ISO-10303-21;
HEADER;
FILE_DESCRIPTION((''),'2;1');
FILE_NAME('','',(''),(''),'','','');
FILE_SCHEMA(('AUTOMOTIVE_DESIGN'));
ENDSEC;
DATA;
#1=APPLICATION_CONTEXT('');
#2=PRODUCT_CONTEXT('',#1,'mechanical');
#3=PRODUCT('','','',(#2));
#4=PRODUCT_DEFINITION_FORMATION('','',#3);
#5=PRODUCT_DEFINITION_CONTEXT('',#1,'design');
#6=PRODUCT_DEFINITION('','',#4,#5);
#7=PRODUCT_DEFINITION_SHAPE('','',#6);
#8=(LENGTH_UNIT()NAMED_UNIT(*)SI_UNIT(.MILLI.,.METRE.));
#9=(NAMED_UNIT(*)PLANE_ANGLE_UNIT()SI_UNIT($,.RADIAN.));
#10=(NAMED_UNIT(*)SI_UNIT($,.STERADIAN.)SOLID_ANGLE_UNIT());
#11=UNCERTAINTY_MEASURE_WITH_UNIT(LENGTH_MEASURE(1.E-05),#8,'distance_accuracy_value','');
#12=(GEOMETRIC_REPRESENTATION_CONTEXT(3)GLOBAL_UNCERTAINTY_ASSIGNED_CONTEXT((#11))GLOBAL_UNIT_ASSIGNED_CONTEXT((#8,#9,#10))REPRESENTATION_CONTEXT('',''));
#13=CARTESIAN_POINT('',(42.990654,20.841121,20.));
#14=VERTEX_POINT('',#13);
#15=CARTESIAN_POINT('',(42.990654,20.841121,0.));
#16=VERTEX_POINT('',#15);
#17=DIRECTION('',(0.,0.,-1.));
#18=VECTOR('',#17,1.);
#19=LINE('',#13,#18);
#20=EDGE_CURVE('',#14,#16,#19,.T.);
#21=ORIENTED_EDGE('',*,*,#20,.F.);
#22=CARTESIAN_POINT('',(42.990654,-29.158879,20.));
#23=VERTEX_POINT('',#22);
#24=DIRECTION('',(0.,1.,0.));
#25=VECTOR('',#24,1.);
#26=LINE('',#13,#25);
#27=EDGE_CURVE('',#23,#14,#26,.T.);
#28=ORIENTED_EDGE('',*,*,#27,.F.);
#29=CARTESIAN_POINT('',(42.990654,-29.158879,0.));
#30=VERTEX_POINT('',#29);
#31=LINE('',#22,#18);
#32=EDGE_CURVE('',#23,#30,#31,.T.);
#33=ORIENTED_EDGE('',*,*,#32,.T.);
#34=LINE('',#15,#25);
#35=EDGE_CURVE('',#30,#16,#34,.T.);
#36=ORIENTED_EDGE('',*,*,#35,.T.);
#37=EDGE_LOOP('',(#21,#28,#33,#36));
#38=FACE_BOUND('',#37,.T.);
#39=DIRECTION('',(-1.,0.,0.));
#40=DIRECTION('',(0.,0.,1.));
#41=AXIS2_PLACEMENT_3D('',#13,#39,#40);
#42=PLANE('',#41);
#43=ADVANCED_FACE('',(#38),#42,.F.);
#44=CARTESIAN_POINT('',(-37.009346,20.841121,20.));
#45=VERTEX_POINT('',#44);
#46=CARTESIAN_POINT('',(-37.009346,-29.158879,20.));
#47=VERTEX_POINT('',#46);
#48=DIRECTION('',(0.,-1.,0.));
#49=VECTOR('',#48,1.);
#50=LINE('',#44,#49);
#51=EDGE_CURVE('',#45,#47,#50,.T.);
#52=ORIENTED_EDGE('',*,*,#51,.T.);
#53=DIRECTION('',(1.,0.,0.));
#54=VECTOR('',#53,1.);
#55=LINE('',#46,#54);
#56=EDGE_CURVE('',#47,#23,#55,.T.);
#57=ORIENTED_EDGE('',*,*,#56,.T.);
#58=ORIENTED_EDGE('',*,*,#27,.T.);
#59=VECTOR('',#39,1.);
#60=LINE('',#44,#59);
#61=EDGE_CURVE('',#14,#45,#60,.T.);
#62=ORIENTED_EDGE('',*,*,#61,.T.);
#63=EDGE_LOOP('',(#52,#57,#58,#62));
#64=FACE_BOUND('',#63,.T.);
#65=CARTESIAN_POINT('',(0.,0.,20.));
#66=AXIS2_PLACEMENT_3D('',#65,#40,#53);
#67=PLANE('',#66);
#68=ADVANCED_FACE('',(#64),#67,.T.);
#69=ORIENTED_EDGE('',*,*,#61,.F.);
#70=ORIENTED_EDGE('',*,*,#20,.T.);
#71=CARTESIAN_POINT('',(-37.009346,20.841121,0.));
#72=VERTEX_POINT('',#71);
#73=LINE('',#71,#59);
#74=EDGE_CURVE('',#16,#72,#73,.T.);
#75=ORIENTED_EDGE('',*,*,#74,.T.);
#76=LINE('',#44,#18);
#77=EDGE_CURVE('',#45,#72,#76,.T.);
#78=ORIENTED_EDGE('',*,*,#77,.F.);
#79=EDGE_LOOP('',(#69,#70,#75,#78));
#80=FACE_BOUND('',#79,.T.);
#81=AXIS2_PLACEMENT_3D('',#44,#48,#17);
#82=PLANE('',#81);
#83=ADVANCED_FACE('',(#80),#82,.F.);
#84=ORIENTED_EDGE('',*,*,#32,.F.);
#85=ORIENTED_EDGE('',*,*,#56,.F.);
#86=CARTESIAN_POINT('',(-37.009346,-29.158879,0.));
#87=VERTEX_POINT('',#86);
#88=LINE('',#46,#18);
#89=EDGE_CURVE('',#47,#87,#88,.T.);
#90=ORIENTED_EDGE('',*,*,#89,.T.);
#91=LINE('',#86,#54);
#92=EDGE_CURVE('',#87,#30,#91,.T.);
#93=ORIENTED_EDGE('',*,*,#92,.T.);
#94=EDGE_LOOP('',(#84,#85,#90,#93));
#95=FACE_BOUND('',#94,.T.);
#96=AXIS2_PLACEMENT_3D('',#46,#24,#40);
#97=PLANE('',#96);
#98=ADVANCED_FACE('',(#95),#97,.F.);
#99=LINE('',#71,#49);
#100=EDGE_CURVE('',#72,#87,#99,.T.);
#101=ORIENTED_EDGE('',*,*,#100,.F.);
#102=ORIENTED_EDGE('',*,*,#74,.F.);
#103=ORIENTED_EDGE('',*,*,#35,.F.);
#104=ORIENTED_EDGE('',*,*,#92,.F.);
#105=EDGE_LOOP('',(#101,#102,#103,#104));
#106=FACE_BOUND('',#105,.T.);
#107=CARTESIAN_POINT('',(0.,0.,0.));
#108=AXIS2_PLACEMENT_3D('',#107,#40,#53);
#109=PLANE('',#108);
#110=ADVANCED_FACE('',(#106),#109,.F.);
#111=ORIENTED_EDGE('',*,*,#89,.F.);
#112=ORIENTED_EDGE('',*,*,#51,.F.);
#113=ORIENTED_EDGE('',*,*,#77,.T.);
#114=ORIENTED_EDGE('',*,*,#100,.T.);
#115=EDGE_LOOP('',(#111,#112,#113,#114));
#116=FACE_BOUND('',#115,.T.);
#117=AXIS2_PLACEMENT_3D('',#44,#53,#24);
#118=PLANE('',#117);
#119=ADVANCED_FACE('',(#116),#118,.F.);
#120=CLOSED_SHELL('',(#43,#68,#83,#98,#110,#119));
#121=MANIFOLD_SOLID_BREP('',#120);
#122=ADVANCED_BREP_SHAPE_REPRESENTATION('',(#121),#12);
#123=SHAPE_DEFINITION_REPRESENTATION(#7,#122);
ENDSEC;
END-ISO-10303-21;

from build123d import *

# Parameters (mm, degrees)
SKETCH1_W           = 80
SKETCH1_H           = 50
BOSS_EXTRUDE1_DEPTH = 20


with BuildPart() as part:
    # Sketch1 → Boss-Extrude1 (new body)
    with BuildSketch(Plane.XY):
        with Locations((2.990654206, -4.158878505)):
            Rectangle(SKETCH1_W, SKETCH1_H)
    extrude(amount=BOSS_EXTRUDE1_DEPTH)


solid = part.part
